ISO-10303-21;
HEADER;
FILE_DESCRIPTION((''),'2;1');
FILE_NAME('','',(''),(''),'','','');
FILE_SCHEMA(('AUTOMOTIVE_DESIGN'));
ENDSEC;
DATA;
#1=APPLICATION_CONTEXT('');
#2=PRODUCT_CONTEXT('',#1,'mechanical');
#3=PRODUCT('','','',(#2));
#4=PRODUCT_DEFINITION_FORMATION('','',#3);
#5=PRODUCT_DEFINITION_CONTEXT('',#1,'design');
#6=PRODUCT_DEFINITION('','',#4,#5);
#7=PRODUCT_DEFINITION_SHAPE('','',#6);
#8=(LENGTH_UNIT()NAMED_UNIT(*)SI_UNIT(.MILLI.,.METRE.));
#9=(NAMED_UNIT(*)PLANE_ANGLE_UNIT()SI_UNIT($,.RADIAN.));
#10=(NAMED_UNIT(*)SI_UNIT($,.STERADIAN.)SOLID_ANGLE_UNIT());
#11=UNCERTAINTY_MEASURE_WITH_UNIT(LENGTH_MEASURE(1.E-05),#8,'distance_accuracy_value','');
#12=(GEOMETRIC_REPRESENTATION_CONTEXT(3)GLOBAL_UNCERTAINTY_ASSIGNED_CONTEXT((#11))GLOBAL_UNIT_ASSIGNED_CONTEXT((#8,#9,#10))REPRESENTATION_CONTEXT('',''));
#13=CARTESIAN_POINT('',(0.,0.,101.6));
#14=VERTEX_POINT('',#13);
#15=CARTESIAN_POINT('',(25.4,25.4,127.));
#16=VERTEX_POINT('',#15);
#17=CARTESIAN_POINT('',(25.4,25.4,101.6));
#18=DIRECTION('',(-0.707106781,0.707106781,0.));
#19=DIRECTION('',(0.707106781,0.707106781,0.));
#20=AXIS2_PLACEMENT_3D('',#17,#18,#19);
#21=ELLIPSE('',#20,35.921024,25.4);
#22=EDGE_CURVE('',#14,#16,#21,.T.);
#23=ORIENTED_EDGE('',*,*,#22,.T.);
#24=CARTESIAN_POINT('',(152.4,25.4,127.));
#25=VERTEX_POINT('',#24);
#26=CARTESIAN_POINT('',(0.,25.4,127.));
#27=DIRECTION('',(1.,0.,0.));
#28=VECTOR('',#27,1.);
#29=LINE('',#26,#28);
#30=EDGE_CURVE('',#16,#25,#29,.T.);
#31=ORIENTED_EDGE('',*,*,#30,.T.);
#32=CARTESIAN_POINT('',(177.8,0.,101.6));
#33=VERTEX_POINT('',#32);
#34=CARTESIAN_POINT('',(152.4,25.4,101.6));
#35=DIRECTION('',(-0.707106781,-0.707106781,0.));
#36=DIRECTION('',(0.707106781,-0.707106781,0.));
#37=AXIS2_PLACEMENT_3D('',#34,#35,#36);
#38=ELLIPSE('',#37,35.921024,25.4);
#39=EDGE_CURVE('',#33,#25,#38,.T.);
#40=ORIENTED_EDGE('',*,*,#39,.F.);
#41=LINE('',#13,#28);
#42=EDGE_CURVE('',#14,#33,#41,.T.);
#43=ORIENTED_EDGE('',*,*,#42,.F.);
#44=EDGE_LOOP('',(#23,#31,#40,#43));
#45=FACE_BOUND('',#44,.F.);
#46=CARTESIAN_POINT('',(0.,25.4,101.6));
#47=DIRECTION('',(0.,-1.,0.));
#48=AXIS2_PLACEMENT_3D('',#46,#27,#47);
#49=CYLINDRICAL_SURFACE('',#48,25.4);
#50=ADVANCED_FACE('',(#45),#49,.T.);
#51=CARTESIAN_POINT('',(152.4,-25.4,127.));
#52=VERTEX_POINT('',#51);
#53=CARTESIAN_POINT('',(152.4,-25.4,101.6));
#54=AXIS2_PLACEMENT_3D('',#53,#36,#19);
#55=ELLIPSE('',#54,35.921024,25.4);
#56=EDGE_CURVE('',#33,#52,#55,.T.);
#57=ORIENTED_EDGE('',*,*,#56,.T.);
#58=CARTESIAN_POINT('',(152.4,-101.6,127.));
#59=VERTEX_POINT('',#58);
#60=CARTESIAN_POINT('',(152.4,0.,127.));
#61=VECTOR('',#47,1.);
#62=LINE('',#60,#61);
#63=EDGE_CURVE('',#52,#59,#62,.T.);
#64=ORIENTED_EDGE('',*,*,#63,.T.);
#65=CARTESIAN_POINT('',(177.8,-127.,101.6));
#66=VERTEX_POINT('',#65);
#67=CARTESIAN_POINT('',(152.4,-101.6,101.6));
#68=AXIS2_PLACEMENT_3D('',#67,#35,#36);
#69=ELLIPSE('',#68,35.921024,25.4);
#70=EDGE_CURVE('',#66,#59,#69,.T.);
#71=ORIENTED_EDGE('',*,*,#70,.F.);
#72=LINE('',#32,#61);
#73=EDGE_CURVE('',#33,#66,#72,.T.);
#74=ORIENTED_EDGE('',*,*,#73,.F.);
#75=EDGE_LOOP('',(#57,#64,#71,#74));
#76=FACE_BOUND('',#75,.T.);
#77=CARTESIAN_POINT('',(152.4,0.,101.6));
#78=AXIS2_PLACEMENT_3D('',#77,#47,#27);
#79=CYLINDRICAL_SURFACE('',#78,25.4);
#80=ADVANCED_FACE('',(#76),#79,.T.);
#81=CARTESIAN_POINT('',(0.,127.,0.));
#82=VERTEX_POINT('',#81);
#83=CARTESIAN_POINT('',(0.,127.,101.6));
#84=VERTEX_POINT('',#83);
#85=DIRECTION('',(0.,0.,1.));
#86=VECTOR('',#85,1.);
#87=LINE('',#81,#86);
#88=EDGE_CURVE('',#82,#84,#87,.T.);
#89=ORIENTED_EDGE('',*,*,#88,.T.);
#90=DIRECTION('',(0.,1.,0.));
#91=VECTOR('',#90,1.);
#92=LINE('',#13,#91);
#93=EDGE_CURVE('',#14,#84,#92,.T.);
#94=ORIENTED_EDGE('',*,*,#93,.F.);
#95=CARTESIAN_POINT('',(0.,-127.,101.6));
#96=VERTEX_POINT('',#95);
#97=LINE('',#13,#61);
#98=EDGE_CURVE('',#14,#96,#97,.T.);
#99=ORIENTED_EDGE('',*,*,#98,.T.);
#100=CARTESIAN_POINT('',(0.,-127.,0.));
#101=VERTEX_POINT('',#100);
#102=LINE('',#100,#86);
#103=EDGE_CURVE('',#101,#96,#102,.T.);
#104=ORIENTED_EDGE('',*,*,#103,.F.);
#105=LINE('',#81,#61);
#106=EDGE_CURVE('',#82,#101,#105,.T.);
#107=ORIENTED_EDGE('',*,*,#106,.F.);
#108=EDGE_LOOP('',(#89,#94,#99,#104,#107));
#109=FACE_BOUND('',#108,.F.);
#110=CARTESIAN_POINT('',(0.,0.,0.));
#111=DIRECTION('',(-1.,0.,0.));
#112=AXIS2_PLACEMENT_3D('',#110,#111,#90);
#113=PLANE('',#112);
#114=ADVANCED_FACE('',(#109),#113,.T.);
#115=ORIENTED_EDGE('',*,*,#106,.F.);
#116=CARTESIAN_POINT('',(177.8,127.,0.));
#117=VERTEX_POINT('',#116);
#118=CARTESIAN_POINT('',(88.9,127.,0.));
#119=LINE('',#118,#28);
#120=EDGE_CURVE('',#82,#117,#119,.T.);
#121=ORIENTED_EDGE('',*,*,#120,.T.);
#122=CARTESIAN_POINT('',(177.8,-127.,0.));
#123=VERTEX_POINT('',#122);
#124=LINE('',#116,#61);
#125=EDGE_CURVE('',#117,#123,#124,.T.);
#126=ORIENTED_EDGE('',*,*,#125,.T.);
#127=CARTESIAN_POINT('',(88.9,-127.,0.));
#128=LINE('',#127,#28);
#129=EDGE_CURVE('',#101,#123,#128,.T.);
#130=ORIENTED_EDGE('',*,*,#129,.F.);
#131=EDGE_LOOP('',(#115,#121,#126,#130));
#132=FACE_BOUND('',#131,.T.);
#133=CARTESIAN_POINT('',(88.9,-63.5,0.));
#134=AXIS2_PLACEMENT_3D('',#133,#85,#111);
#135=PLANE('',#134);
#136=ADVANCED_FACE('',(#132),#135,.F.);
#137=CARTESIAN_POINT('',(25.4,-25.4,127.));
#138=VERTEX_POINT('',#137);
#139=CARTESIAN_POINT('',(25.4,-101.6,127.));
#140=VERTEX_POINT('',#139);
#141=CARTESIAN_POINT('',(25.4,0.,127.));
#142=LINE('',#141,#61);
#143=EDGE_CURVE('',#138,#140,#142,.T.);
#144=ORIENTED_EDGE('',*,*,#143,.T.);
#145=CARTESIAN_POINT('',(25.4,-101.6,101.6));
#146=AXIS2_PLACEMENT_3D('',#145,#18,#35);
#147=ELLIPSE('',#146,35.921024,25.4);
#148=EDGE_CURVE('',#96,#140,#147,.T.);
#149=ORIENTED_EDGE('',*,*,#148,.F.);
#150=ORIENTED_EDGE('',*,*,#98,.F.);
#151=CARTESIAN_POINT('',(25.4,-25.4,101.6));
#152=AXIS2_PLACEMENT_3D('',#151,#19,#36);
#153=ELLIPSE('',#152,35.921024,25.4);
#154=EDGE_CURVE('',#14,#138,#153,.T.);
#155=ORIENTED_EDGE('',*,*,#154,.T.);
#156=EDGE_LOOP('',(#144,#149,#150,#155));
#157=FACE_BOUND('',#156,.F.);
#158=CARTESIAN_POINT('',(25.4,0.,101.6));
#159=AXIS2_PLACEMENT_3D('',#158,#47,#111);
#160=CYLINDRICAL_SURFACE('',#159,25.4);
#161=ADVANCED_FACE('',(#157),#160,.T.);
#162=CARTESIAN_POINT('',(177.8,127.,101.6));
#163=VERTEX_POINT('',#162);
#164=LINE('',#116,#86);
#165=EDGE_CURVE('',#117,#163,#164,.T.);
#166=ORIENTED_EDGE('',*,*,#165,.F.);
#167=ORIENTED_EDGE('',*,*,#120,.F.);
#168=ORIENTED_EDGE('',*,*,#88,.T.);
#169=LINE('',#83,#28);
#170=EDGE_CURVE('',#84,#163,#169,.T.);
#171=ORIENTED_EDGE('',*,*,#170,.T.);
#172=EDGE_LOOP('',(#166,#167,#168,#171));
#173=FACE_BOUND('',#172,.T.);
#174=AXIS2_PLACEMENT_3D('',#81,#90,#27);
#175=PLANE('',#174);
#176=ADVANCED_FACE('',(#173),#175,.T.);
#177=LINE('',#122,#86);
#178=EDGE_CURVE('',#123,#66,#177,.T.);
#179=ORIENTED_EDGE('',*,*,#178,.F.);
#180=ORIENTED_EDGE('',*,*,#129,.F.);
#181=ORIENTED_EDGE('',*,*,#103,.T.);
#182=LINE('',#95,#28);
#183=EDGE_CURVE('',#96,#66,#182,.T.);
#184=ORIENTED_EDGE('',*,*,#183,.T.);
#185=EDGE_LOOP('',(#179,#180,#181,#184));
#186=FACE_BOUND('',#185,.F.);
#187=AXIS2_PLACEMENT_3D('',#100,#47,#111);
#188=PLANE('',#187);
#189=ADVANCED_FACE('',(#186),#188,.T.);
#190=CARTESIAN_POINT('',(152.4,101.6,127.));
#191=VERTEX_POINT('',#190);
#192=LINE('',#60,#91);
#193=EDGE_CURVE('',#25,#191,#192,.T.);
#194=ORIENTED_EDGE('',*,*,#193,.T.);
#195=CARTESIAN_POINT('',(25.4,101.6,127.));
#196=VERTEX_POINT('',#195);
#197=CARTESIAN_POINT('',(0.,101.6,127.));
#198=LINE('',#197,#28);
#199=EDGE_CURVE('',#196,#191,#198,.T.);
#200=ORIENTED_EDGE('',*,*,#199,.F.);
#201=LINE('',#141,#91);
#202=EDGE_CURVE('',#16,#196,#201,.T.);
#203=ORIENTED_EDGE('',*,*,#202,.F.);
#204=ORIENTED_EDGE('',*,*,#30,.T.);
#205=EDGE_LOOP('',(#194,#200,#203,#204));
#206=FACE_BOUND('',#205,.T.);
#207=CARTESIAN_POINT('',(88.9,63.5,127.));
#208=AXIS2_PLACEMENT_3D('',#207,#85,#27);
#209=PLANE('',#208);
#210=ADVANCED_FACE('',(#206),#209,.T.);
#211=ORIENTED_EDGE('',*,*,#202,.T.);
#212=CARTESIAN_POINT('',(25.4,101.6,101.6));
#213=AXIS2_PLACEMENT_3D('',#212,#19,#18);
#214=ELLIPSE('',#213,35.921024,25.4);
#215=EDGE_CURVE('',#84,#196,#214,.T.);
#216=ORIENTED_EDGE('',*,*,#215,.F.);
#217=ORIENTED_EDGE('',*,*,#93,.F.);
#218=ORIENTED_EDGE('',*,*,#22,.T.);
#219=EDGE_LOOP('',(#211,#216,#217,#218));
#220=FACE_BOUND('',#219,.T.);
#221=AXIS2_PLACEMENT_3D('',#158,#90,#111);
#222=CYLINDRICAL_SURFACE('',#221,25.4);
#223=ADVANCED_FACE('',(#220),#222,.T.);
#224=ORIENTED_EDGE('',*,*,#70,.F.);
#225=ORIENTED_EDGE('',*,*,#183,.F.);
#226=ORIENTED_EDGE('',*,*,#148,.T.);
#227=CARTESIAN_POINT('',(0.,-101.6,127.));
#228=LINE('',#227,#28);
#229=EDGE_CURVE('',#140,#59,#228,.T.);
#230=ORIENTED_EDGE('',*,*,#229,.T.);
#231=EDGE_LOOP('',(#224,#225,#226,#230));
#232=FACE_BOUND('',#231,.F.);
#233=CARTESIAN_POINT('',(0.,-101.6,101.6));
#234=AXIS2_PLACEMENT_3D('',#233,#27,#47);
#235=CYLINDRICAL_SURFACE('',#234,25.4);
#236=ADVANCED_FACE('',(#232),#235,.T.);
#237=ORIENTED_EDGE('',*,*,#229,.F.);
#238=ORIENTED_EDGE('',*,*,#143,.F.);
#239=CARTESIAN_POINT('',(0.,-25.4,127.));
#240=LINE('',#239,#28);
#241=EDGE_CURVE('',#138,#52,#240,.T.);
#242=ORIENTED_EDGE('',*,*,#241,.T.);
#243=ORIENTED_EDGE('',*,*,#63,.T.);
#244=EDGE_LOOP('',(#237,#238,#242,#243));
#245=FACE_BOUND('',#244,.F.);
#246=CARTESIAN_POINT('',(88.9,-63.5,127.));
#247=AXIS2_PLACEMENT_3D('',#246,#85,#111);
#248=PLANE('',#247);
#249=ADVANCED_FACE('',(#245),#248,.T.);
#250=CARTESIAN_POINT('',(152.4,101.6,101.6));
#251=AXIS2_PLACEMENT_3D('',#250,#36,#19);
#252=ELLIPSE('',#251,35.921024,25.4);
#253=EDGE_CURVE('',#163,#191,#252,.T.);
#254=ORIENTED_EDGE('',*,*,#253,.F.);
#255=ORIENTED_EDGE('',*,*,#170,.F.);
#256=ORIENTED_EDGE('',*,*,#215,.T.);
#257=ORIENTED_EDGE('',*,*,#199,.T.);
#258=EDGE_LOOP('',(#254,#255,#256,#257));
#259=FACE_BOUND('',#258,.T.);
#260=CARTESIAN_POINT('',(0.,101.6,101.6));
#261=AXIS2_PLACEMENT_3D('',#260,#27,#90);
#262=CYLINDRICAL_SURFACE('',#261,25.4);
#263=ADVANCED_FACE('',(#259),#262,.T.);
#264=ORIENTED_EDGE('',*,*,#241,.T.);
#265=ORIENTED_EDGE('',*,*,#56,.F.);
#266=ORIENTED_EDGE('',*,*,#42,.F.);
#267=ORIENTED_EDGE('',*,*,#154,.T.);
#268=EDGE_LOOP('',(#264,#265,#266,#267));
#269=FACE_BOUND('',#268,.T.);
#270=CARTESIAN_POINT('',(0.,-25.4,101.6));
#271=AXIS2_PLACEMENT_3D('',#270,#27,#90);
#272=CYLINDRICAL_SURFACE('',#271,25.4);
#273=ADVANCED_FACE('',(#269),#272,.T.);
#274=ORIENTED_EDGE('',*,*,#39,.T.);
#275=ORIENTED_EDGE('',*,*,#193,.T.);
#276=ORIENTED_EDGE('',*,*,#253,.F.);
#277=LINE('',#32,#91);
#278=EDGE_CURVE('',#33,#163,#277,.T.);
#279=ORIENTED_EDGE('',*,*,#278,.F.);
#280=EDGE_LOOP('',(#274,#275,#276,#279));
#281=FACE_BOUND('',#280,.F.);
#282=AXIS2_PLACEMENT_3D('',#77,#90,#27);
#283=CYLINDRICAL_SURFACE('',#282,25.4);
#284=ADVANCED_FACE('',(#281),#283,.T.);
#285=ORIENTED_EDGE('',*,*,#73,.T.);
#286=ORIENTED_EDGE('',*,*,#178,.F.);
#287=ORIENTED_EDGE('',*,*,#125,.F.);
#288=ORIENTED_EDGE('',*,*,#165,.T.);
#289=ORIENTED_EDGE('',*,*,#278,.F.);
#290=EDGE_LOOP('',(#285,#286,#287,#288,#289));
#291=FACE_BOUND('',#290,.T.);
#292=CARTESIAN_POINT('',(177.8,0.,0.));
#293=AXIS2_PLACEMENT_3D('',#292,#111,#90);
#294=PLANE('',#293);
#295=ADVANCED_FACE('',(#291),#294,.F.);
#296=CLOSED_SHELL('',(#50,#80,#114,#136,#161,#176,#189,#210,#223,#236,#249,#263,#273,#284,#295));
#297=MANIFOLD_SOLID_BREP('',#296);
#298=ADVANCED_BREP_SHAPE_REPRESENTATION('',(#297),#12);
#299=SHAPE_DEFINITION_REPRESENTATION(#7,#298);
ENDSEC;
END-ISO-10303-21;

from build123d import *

# Parameters (mm, degrees)
F0_W     = 177.8
F0_H     = 127
F1_DEPTH = 127
F2_R     = 25.4


with BuildPart() as f1:
    # F0 (on Top) → F1 (new body)
    with BuildSketch(Plane.XY):
        with Locations((88.9, 63.5)):
            Rectangle(F0_W, F0_H)
    extrude(amount=F1_DEPTH)

    # F2
    f2_edges = [f1.edges().sort_by_distance(p)[0] for p in [
        (0, 63.5, 127),
        (88.9, 0, 127),
        (88.9, 127, 127),
        (177.8, 63.5, 127),
    ]]
    fillet(f2_edges, radius=F2_R)

    # F3: F1 across plane


with BuildPart() as f1_1:
    add(f1.part)
    add(f1.part.mirror(Plane.XZ))


solid = f1_1.part
